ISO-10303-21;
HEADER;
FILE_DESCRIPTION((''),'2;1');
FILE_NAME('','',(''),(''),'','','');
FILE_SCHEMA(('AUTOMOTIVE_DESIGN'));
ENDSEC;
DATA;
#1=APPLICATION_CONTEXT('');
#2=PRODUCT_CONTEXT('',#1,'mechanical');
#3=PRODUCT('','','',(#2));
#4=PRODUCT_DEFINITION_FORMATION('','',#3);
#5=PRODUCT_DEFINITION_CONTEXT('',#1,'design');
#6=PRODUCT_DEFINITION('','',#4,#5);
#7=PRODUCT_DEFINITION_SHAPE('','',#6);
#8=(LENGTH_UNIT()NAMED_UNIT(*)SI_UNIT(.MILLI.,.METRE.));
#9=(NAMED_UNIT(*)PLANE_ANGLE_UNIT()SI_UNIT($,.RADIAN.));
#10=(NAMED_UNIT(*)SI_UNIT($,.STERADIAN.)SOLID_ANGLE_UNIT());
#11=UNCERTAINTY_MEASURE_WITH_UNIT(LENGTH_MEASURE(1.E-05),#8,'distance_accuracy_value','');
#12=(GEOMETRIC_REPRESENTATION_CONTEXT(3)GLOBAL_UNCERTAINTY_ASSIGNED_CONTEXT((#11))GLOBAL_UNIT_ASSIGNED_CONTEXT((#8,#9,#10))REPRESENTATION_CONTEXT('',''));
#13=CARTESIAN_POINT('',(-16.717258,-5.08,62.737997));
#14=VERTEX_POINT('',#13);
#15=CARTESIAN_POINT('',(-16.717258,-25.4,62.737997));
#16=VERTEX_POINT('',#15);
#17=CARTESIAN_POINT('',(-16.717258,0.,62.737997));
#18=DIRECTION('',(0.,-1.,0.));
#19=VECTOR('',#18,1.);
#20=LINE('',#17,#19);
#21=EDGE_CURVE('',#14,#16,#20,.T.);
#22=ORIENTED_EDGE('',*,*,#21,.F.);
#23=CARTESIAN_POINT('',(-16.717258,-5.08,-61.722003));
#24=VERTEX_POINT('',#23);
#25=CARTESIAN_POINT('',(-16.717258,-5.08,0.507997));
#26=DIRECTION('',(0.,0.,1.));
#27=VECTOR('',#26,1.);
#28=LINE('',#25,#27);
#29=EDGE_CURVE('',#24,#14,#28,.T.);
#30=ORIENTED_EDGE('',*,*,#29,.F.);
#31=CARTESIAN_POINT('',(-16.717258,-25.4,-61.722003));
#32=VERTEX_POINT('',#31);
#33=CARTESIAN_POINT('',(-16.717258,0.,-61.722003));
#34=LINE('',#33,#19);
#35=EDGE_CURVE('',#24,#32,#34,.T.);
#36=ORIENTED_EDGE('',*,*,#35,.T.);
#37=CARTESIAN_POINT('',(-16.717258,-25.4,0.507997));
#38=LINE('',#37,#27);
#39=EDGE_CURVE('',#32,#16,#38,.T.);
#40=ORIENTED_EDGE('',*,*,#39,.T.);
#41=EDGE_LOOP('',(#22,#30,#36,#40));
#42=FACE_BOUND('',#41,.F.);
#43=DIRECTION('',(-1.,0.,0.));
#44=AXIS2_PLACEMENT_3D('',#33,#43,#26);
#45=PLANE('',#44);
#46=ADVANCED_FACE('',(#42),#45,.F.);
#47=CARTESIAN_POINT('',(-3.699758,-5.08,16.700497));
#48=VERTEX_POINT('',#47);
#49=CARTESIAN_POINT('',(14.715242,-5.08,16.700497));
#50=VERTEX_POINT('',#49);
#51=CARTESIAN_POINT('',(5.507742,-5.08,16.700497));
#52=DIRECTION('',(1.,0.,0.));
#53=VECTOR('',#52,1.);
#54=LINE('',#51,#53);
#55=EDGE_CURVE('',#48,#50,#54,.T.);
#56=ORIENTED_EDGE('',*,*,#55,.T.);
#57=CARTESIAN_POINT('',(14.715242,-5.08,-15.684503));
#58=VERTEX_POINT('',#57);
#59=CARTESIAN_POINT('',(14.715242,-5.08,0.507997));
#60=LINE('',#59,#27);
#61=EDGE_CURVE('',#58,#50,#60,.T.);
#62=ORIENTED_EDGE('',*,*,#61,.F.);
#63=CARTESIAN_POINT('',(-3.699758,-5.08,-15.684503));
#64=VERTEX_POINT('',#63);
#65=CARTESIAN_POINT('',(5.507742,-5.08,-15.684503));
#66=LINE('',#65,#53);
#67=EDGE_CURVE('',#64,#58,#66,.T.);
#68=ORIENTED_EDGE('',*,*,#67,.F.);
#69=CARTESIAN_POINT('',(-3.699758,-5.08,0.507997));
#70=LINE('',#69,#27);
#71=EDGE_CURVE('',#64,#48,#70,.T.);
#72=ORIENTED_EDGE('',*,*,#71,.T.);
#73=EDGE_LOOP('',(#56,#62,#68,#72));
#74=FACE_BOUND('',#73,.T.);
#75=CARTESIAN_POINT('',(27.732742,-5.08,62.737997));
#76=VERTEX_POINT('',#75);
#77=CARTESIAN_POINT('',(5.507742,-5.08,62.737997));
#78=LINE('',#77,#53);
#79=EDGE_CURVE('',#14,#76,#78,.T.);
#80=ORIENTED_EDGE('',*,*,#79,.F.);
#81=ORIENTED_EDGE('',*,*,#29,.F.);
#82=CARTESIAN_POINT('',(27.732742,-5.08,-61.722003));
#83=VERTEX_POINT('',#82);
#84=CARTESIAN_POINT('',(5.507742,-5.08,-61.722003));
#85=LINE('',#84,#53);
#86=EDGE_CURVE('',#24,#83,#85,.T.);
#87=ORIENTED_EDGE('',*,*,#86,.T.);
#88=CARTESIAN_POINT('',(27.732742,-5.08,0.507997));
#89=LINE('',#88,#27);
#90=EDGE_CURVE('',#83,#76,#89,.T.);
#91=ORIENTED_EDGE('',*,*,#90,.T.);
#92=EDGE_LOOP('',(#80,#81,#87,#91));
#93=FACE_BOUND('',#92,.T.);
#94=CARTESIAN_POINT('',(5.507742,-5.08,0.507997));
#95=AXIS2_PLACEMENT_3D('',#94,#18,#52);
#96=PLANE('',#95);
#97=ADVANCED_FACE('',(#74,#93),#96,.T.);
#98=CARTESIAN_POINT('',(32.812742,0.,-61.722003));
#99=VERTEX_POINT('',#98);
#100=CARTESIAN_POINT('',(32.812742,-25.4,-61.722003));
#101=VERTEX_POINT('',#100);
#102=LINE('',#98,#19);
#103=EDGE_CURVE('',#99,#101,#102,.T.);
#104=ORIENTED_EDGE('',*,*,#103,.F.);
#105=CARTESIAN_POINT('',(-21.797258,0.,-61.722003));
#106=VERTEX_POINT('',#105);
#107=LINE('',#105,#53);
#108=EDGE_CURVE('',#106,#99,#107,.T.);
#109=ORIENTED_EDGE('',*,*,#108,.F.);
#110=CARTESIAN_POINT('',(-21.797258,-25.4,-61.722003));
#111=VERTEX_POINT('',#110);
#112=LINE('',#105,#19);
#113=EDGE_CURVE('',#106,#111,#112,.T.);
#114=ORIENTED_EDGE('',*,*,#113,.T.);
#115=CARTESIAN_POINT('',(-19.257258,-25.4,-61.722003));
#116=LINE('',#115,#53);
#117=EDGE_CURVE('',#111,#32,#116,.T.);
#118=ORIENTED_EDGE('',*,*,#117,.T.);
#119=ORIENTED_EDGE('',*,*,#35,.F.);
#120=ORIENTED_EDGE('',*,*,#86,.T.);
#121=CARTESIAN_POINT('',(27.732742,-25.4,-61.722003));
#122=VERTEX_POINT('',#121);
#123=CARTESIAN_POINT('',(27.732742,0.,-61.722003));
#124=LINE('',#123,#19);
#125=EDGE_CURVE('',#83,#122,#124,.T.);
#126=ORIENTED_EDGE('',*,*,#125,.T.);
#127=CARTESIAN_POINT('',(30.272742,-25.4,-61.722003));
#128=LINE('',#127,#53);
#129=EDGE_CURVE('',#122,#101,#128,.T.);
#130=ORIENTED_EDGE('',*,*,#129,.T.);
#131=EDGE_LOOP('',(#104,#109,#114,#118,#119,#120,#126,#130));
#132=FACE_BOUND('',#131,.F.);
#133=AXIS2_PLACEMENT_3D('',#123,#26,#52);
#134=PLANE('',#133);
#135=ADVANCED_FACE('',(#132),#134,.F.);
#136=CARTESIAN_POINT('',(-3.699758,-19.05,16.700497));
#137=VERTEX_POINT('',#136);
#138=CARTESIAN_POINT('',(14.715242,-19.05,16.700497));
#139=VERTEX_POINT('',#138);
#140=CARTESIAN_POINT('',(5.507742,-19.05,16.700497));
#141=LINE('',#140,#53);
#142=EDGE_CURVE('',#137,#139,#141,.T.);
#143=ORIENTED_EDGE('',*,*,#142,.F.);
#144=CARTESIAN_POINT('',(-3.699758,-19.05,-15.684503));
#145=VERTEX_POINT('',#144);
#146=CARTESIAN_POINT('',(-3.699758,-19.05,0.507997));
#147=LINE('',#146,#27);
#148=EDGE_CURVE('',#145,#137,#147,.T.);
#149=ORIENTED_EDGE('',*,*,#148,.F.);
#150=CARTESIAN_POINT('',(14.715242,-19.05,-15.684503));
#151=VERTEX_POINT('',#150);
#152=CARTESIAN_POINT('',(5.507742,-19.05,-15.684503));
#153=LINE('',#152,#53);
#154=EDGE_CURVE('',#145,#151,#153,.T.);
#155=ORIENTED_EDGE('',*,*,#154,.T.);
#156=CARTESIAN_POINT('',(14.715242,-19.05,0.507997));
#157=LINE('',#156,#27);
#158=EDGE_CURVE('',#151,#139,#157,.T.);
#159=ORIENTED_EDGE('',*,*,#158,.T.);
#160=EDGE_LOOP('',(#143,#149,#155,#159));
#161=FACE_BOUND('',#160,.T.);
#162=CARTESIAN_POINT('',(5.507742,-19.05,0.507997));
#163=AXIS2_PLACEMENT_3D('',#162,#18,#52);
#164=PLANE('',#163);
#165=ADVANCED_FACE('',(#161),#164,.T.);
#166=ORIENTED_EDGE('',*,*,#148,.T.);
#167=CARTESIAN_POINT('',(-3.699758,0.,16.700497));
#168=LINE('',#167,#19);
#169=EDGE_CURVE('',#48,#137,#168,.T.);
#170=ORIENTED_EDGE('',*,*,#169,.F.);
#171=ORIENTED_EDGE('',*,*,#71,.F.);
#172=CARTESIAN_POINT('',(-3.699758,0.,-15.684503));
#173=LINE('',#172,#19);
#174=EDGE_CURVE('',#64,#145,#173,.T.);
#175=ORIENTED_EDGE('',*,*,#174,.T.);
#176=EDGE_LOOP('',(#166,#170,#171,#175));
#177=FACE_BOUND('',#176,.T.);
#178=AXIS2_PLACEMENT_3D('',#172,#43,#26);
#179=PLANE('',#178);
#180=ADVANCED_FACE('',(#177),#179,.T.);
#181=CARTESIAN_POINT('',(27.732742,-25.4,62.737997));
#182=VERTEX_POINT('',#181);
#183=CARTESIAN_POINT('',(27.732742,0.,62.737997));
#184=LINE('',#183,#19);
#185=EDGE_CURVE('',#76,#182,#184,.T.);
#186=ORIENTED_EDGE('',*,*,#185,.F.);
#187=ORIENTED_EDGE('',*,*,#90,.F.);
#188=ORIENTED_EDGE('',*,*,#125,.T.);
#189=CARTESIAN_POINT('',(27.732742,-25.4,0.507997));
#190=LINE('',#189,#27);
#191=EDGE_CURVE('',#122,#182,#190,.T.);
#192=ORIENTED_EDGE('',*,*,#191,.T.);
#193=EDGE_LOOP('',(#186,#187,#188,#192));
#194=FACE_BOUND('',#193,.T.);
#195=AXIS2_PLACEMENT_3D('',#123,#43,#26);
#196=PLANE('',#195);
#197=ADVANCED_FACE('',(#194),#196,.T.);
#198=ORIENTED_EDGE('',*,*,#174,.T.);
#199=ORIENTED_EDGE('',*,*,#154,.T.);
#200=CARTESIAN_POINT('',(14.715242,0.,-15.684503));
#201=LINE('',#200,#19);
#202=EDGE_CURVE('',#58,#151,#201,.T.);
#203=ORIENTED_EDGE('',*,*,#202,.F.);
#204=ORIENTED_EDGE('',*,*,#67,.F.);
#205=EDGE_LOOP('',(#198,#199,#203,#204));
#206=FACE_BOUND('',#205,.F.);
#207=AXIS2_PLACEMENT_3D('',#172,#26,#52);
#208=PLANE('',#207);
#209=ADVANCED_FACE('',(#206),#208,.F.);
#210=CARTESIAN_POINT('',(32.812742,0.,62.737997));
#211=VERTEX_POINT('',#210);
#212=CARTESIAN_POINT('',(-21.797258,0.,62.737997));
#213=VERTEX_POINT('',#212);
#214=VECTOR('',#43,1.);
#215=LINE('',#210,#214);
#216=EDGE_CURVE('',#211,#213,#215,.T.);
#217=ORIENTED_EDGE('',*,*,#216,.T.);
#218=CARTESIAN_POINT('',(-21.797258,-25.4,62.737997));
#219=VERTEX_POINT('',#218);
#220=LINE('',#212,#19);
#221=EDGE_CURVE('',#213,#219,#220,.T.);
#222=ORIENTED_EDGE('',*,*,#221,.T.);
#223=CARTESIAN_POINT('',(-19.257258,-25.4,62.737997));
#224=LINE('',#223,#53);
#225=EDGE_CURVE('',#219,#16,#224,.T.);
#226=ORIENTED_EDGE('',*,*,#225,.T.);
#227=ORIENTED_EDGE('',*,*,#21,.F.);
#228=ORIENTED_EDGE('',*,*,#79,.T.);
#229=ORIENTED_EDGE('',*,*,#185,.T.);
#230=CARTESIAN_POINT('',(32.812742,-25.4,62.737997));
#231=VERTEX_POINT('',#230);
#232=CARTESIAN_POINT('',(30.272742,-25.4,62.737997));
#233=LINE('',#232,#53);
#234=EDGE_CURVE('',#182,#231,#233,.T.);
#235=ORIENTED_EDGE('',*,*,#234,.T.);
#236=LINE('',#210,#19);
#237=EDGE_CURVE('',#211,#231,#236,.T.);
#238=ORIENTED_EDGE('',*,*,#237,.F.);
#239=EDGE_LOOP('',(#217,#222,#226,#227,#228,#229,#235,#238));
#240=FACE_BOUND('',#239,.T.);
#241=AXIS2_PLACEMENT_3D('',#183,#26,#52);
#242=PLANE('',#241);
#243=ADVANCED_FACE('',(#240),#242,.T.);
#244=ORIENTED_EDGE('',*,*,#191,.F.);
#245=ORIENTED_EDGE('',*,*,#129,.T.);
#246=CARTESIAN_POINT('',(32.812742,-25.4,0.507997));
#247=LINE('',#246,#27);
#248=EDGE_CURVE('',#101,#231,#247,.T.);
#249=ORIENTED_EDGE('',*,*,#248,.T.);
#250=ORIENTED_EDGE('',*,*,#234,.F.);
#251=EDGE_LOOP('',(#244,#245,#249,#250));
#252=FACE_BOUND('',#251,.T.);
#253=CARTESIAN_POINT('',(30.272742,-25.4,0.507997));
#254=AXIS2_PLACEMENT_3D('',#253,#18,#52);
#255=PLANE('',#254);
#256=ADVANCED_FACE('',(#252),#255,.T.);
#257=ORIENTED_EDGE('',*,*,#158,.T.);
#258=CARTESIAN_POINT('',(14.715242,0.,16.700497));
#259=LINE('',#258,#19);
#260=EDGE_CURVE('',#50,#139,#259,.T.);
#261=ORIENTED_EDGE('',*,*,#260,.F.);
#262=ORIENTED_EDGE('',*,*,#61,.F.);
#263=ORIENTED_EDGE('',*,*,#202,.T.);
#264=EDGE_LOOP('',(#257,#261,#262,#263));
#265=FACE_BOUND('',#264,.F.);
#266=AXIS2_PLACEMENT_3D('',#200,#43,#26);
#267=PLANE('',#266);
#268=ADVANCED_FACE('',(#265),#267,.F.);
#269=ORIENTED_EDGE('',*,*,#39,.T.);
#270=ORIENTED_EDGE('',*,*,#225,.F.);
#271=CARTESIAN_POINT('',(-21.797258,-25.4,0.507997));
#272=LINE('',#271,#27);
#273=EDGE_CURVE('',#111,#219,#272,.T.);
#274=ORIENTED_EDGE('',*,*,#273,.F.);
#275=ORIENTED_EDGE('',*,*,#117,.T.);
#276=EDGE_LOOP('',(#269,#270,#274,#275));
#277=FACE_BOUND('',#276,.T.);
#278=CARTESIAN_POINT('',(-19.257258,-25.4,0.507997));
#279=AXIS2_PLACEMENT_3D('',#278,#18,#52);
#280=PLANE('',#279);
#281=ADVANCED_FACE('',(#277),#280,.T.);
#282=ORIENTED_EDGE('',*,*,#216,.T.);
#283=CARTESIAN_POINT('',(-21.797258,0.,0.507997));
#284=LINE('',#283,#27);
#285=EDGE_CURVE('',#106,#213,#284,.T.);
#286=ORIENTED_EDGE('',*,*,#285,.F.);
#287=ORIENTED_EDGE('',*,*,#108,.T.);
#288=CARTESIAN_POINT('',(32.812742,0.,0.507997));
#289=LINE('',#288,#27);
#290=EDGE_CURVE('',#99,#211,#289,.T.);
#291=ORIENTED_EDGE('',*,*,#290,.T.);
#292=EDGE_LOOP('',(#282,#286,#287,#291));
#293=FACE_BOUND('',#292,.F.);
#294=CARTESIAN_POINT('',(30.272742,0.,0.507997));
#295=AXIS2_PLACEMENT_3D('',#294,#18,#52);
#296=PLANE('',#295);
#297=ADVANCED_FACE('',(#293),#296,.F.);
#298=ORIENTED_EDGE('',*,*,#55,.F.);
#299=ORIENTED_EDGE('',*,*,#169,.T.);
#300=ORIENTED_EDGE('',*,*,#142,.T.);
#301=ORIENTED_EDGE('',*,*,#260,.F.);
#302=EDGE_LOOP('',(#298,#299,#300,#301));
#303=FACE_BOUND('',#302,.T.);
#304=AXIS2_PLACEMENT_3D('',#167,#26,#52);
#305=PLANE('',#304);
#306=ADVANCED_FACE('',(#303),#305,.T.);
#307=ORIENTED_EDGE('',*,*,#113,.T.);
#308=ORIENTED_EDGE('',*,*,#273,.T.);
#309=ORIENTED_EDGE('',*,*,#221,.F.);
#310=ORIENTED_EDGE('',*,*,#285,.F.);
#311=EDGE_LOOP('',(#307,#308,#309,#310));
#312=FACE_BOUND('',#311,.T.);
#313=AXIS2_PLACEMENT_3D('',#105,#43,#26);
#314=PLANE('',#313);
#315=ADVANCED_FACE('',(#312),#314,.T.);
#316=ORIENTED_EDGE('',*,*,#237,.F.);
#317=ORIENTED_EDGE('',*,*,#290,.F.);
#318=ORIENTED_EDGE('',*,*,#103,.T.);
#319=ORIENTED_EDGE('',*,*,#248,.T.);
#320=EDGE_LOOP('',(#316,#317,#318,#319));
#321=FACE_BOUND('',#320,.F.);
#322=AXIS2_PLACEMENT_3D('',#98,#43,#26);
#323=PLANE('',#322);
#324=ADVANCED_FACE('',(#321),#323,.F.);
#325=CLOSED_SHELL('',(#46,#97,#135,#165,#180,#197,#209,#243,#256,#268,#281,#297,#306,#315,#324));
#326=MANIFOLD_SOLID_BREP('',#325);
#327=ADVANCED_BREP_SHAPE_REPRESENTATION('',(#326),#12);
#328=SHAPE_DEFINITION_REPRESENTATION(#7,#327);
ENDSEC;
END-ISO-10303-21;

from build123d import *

# Parameters (mm, degrees)
F0_W     = 44.45
F0_H     = 124.46
F0_W_2   = 18.415
F0_H_2   = 32.385
F1_DEPTH = 5.08
F0_W_3   = 5.08
F2_DEPTH = 25.4
F3_DEPTH = 19.05


with BuildPart() as f1:
    # F0 (on Front) → F1 (new body)
    with BuildSketch(Plane.XZ):
        with Locations((5.507742, 0.507997)):
            Rectangle(F0_W, F0_H)
        with Locations((5.507742, 0.507997)):
            Rectangle(F0_W_2, F0_H_2, mode=Mode.SUBTRACT)
    extrude(amount=F1_DEPTH)

    # F0 (on Front) → F2 (join)
    with BuildSketch(Plane.XZ):
        with Locations((30.272742, 0.507997)):
            Rectangle(F0_W_3, F0_H)
        with Locations((-19.257258, 0.507997)):
            Rectangle(F0_W_3, F0_H)
    extrude(amount=F2_DEPTH)

    # F0 (on Front) → F3 (join)
    with BuildSketch(Plane.XZ):
        with Locations((5.507742, 0.507997)):
            Rectangle(F0_W_2, F0_H_2)
    extrude(amount=F3_DEPTH)


solid = f1.part
